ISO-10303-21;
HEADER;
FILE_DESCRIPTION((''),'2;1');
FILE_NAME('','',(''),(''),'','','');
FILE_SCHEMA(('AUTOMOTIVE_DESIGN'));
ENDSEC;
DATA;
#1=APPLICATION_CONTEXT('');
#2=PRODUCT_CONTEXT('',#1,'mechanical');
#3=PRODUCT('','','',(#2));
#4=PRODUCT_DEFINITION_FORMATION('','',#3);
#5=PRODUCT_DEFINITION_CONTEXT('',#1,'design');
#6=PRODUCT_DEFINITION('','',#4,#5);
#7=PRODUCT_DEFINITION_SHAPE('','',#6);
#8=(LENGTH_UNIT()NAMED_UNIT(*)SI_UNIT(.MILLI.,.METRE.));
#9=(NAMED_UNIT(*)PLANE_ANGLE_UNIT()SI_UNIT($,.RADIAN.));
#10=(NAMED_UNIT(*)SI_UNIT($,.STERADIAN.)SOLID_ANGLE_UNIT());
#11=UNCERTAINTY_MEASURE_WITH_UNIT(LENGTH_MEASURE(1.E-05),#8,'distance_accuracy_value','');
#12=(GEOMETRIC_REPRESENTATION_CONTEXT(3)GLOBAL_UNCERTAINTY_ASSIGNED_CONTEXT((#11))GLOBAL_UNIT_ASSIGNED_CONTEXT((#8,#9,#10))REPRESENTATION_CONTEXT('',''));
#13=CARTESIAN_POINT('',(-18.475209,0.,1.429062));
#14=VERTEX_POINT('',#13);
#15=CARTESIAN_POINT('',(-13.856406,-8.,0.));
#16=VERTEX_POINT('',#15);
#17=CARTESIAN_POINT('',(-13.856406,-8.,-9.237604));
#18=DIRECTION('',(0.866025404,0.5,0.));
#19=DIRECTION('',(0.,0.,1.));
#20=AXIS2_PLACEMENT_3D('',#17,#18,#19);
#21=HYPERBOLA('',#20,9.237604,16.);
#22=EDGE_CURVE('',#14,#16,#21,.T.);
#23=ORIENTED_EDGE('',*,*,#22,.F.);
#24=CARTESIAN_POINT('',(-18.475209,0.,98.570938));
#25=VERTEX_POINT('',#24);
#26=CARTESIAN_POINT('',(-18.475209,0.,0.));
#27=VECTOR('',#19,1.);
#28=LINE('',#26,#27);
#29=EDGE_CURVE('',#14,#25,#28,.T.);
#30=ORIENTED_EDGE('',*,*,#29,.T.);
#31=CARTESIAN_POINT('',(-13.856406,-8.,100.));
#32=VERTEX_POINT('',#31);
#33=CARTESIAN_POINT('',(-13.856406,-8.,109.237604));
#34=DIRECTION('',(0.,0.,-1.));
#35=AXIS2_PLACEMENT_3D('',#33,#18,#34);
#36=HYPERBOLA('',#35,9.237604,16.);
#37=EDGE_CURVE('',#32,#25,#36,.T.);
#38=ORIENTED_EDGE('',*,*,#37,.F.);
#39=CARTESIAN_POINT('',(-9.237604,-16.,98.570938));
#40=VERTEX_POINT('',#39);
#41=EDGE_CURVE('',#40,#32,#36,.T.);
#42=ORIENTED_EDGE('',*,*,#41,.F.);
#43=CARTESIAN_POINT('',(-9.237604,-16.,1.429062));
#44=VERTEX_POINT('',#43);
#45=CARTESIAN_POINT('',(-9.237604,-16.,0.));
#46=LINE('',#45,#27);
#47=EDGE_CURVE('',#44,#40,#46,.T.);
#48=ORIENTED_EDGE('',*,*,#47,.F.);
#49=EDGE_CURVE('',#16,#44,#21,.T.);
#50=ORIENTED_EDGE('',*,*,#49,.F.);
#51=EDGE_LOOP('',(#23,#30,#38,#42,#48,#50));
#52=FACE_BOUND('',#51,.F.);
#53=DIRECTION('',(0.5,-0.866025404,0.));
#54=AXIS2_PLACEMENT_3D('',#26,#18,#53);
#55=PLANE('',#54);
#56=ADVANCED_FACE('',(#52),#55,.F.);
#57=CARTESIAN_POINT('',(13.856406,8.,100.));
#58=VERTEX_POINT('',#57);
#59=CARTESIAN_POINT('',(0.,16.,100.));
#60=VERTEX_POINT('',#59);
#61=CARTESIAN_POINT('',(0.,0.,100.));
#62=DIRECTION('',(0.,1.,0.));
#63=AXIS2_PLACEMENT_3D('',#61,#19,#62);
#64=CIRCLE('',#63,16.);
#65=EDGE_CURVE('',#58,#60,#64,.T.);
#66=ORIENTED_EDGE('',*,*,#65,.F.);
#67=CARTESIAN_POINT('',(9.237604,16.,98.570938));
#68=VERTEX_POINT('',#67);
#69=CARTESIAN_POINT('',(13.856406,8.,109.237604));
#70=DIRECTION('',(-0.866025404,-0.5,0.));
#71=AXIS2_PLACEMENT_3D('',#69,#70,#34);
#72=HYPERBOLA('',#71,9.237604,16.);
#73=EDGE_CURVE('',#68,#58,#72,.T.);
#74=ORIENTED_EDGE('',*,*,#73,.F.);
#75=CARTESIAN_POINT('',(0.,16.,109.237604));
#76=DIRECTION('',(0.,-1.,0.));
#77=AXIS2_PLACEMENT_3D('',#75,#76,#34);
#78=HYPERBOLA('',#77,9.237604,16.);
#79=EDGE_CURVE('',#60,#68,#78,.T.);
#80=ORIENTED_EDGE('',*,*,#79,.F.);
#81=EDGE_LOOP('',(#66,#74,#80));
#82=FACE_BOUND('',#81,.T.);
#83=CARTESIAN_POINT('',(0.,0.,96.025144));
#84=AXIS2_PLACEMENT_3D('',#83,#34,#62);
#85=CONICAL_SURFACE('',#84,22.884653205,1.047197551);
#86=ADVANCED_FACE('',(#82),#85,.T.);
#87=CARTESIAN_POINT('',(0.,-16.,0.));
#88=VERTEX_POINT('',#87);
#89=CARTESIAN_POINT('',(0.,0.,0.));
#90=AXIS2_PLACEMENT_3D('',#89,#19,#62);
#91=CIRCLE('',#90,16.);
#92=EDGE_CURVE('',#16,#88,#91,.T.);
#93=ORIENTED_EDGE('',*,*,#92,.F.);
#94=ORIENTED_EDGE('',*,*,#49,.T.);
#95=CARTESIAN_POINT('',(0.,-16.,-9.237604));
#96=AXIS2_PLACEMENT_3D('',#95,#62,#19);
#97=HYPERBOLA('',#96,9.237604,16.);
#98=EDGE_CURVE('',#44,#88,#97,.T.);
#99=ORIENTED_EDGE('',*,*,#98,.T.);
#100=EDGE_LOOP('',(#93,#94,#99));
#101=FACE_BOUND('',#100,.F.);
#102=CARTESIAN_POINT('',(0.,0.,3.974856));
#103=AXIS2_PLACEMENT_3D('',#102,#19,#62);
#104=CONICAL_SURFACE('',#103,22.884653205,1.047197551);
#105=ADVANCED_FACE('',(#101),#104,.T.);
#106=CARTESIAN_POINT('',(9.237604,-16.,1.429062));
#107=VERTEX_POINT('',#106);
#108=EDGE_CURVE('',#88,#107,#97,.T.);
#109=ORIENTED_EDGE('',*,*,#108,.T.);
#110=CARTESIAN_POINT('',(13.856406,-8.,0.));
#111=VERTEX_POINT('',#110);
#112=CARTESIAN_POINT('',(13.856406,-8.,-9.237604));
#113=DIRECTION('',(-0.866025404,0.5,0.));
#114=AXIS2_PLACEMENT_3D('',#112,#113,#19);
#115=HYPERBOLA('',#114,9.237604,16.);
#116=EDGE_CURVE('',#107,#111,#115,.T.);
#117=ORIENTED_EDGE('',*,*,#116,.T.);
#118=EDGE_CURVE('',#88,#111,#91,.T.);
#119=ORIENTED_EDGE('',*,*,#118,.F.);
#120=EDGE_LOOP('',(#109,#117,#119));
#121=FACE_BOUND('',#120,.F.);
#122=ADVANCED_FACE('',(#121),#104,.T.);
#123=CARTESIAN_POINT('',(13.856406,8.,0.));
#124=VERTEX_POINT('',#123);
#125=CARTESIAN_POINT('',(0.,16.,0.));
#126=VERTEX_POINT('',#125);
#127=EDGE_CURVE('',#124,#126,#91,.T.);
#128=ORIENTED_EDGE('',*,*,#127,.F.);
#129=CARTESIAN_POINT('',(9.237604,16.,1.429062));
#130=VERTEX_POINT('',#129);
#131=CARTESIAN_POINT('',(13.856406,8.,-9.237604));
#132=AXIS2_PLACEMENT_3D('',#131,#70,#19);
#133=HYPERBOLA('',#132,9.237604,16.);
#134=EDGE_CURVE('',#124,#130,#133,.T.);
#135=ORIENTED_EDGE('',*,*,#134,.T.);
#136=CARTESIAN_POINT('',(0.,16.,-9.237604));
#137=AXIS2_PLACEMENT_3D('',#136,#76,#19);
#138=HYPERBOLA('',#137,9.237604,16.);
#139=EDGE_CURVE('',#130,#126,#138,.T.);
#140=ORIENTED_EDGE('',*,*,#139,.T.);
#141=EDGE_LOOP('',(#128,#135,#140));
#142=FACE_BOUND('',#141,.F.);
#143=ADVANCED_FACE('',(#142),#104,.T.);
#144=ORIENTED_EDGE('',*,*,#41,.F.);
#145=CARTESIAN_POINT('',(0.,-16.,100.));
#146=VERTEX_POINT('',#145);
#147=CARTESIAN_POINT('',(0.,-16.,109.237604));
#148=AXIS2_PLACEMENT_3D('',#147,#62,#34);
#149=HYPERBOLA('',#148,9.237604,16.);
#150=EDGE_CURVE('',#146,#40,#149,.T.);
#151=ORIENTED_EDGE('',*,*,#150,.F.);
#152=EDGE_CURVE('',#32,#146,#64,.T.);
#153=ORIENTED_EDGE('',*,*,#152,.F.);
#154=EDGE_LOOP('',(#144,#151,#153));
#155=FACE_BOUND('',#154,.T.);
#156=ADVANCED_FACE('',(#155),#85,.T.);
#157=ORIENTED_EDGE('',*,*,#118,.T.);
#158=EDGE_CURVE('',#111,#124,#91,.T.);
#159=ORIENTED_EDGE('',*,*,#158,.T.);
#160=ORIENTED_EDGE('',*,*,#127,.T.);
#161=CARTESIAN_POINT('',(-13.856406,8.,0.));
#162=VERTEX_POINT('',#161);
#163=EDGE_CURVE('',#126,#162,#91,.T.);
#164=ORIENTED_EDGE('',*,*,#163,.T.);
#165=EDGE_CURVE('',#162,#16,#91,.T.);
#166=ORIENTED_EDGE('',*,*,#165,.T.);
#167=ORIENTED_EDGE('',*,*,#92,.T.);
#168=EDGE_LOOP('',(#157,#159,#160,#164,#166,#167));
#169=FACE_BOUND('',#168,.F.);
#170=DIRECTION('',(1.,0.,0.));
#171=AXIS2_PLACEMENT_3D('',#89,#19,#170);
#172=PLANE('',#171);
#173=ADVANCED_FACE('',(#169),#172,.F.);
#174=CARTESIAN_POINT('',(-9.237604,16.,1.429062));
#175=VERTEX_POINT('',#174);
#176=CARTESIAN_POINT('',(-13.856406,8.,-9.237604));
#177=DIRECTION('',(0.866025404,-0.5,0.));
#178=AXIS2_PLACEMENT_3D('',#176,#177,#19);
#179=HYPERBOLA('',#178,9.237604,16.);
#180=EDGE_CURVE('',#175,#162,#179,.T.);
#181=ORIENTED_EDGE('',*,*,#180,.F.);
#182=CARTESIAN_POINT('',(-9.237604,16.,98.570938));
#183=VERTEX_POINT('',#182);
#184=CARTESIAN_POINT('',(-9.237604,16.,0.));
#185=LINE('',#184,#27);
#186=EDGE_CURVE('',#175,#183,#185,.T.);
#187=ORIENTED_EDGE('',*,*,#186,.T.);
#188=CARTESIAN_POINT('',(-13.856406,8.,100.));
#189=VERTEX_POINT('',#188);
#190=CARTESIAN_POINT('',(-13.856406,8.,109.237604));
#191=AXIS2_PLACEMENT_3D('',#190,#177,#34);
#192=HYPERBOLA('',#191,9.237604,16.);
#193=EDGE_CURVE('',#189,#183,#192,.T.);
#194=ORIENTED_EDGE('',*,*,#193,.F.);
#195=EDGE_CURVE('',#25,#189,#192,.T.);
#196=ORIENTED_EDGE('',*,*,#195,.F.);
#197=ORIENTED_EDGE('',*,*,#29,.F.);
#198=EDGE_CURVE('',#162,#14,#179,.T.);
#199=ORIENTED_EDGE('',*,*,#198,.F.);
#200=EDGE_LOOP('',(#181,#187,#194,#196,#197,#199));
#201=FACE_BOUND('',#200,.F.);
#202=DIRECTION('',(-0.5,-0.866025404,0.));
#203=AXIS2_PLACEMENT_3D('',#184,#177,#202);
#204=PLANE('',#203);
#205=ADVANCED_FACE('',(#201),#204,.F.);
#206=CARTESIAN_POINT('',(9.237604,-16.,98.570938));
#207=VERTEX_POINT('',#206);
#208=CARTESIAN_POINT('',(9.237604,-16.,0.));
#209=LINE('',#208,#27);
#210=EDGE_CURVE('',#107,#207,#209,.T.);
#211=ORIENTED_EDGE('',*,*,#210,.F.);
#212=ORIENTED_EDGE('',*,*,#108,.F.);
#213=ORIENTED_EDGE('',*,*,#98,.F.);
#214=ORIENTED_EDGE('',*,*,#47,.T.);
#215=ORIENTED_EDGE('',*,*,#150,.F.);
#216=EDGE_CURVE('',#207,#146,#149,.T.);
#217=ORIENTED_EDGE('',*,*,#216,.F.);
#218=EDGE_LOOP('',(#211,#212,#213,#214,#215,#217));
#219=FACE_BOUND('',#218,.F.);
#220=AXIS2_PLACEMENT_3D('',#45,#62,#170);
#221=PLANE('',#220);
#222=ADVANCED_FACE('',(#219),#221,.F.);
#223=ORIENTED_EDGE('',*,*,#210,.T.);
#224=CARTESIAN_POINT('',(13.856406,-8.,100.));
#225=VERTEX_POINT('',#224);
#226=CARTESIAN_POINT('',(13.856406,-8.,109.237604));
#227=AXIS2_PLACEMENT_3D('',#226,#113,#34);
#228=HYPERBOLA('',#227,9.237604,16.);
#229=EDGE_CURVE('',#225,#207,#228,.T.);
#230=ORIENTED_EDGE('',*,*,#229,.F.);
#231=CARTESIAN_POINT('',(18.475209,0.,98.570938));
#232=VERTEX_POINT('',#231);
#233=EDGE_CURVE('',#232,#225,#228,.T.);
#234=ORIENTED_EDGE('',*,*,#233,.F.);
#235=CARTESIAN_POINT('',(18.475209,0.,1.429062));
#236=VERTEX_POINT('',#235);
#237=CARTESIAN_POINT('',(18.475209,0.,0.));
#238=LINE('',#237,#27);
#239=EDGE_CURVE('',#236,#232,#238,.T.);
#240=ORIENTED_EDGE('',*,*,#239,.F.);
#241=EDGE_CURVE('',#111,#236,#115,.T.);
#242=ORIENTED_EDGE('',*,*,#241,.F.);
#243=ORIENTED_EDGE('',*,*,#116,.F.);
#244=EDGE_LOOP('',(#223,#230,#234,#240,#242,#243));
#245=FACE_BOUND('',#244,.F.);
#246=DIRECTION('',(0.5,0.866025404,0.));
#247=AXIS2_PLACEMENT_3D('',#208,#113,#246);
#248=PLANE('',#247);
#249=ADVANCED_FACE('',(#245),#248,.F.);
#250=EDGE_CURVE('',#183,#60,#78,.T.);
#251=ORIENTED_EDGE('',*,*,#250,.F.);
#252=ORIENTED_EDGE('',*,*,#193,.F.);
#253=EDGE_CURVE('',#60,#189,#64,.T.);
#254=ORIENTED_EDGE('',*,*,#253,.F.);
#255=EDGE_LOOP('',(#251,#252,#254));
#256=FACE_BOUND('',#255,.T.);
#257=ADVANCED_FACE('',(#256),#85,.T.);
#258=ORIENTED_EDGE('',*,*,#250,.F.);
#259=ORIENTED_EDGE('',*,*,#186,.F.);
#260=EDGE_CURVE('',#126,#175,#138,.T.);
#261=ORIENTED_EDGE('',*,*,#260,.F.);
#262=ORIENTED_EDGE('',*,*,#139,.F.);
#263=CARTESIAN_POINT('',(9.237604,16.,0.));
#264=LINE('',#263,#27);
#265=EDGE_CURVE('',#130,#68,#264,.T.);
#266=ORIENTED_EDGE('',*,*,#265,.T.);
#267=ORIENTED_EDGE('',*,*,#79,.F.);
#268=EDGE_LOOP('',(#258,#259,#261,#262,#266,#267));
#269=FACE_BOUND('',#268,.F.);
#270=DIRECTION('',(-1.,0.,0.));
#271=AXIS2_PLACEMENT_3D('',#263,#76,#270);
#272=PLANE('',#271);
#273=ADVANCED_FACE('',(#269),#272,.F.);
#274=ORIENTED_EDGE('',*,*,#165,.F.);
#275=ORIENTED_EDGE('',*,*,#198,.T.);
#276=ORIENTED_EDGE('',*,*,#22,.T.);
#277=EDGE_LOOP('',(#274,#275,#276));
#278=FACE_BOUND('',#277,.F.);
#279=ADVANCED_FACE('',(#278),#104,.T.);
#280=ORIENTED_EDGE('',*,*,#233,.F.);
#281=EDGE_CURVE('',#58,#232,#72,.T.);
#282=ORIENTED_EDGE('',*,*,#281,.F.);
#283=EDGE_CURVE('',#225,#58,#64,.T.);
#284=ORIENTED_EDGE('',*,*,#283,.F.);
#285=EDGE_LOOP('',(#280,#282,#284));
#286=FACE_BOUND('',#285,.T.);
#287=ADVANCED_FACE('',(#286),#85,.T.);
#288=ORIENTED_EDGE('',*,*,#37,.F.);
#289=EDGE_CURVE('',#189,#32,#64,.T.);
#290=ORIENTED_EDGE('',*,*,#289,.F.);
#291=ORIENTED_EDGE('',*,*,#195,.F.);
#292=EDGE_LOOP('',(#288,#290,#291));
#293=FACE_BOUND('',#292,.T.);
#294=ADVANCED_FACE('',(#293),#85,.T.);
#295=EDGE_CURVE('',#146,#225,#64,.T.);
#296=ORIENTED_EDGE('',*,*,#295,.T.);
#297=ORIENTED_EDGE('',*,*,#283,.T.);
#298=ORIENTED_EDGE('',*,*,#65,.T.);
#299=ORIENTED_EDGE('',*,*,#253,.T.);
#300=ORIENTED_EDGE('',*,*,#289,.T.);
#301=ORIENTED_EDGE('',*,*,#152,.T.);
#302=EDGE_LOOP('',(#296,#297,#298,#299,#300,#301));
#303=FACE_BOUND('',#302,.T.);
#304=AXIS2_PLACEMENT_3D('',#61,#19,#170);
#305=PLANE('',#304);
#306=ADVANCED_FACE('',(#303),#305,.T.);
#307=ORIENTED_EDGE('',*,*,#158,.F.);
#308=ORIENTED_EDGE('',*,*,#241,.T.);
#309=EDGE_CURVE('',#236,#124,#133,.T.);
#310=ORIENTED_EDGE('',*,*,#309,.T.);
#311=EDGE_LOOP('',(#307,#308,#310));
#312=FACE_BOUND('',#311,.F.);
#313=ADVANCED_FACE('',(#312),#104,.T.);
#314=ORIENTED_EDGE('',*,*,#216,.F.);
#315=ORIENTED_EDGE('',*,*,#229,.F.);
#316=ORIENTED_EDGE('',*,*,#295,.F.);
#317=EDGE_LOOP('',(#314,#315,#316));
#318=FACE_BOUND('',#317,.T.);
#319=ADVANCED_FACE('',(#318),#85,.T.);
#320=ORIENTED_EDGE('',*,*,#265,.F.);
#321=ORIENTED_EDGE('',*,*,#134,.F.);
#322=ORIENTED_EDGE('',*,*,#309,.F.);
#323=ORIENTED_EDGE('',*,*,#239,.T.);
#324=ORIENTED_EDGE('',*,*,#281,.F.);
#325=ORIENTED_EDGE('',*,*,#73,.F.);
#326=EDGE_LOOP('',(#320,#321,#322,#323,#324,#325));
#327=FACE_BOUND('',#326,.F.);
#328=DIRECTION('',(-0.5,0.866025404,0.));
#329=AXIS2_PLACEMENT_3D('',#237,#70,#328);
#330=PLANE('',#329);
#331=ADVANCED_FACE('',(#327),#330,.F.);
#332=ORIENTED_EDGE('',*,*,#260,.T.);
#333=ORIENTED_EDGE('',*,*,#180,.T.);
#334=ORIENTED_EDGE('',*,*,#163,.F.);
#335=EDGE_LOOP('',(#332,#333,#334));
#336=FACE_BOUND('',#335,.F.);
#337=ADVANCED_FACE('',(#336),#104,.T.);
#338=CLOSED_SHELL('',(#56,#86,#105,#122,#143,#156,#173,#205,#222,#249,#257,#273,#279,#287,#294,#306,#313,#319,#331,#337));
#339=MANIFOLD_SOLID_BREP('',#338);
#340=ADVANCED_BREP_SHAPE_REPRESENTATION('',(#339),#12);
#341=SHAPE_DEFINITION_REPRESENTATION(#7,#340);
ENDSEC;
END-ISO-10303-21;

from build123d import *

# Parameters (mm, degrees)
BOSS_EXTRUDE1_DEPTH = 100


with BuildPart() as part:
    # Sketch1 → Boss-Extrude1 (new body)
    with BuildSketch(Plane.XY):
        Polygon((18.475208614, 0), (9.237604307, 16), (-9.237604307, 16), (-18.475208614, 0), (-9.237604307, -16), (9.237604307, -16), align=None)
    extrude(amount=BOSS_EXTRUDE1_DEPTH)

    # Sketch2 → Cut-Revolve1 (revolve, cut)
    with BuildSketch(Plane(origin=(0, 0, 0), x_dir=(0, 0, -1), z_dir=(1, 0, 0))):
        Polygon((-100, 16), (-100, 22.884653205), (-96.025143619, 22.884653205), align=None)
        Polygon((0, 22.884653205), (-3.974856381, 22.884653205), (0, 16), align=None)
    revolve(axis=Axis((0, 0, 0), (0, 0, 1)), mode=Mode.SUBTRACT)


solid = part.part
